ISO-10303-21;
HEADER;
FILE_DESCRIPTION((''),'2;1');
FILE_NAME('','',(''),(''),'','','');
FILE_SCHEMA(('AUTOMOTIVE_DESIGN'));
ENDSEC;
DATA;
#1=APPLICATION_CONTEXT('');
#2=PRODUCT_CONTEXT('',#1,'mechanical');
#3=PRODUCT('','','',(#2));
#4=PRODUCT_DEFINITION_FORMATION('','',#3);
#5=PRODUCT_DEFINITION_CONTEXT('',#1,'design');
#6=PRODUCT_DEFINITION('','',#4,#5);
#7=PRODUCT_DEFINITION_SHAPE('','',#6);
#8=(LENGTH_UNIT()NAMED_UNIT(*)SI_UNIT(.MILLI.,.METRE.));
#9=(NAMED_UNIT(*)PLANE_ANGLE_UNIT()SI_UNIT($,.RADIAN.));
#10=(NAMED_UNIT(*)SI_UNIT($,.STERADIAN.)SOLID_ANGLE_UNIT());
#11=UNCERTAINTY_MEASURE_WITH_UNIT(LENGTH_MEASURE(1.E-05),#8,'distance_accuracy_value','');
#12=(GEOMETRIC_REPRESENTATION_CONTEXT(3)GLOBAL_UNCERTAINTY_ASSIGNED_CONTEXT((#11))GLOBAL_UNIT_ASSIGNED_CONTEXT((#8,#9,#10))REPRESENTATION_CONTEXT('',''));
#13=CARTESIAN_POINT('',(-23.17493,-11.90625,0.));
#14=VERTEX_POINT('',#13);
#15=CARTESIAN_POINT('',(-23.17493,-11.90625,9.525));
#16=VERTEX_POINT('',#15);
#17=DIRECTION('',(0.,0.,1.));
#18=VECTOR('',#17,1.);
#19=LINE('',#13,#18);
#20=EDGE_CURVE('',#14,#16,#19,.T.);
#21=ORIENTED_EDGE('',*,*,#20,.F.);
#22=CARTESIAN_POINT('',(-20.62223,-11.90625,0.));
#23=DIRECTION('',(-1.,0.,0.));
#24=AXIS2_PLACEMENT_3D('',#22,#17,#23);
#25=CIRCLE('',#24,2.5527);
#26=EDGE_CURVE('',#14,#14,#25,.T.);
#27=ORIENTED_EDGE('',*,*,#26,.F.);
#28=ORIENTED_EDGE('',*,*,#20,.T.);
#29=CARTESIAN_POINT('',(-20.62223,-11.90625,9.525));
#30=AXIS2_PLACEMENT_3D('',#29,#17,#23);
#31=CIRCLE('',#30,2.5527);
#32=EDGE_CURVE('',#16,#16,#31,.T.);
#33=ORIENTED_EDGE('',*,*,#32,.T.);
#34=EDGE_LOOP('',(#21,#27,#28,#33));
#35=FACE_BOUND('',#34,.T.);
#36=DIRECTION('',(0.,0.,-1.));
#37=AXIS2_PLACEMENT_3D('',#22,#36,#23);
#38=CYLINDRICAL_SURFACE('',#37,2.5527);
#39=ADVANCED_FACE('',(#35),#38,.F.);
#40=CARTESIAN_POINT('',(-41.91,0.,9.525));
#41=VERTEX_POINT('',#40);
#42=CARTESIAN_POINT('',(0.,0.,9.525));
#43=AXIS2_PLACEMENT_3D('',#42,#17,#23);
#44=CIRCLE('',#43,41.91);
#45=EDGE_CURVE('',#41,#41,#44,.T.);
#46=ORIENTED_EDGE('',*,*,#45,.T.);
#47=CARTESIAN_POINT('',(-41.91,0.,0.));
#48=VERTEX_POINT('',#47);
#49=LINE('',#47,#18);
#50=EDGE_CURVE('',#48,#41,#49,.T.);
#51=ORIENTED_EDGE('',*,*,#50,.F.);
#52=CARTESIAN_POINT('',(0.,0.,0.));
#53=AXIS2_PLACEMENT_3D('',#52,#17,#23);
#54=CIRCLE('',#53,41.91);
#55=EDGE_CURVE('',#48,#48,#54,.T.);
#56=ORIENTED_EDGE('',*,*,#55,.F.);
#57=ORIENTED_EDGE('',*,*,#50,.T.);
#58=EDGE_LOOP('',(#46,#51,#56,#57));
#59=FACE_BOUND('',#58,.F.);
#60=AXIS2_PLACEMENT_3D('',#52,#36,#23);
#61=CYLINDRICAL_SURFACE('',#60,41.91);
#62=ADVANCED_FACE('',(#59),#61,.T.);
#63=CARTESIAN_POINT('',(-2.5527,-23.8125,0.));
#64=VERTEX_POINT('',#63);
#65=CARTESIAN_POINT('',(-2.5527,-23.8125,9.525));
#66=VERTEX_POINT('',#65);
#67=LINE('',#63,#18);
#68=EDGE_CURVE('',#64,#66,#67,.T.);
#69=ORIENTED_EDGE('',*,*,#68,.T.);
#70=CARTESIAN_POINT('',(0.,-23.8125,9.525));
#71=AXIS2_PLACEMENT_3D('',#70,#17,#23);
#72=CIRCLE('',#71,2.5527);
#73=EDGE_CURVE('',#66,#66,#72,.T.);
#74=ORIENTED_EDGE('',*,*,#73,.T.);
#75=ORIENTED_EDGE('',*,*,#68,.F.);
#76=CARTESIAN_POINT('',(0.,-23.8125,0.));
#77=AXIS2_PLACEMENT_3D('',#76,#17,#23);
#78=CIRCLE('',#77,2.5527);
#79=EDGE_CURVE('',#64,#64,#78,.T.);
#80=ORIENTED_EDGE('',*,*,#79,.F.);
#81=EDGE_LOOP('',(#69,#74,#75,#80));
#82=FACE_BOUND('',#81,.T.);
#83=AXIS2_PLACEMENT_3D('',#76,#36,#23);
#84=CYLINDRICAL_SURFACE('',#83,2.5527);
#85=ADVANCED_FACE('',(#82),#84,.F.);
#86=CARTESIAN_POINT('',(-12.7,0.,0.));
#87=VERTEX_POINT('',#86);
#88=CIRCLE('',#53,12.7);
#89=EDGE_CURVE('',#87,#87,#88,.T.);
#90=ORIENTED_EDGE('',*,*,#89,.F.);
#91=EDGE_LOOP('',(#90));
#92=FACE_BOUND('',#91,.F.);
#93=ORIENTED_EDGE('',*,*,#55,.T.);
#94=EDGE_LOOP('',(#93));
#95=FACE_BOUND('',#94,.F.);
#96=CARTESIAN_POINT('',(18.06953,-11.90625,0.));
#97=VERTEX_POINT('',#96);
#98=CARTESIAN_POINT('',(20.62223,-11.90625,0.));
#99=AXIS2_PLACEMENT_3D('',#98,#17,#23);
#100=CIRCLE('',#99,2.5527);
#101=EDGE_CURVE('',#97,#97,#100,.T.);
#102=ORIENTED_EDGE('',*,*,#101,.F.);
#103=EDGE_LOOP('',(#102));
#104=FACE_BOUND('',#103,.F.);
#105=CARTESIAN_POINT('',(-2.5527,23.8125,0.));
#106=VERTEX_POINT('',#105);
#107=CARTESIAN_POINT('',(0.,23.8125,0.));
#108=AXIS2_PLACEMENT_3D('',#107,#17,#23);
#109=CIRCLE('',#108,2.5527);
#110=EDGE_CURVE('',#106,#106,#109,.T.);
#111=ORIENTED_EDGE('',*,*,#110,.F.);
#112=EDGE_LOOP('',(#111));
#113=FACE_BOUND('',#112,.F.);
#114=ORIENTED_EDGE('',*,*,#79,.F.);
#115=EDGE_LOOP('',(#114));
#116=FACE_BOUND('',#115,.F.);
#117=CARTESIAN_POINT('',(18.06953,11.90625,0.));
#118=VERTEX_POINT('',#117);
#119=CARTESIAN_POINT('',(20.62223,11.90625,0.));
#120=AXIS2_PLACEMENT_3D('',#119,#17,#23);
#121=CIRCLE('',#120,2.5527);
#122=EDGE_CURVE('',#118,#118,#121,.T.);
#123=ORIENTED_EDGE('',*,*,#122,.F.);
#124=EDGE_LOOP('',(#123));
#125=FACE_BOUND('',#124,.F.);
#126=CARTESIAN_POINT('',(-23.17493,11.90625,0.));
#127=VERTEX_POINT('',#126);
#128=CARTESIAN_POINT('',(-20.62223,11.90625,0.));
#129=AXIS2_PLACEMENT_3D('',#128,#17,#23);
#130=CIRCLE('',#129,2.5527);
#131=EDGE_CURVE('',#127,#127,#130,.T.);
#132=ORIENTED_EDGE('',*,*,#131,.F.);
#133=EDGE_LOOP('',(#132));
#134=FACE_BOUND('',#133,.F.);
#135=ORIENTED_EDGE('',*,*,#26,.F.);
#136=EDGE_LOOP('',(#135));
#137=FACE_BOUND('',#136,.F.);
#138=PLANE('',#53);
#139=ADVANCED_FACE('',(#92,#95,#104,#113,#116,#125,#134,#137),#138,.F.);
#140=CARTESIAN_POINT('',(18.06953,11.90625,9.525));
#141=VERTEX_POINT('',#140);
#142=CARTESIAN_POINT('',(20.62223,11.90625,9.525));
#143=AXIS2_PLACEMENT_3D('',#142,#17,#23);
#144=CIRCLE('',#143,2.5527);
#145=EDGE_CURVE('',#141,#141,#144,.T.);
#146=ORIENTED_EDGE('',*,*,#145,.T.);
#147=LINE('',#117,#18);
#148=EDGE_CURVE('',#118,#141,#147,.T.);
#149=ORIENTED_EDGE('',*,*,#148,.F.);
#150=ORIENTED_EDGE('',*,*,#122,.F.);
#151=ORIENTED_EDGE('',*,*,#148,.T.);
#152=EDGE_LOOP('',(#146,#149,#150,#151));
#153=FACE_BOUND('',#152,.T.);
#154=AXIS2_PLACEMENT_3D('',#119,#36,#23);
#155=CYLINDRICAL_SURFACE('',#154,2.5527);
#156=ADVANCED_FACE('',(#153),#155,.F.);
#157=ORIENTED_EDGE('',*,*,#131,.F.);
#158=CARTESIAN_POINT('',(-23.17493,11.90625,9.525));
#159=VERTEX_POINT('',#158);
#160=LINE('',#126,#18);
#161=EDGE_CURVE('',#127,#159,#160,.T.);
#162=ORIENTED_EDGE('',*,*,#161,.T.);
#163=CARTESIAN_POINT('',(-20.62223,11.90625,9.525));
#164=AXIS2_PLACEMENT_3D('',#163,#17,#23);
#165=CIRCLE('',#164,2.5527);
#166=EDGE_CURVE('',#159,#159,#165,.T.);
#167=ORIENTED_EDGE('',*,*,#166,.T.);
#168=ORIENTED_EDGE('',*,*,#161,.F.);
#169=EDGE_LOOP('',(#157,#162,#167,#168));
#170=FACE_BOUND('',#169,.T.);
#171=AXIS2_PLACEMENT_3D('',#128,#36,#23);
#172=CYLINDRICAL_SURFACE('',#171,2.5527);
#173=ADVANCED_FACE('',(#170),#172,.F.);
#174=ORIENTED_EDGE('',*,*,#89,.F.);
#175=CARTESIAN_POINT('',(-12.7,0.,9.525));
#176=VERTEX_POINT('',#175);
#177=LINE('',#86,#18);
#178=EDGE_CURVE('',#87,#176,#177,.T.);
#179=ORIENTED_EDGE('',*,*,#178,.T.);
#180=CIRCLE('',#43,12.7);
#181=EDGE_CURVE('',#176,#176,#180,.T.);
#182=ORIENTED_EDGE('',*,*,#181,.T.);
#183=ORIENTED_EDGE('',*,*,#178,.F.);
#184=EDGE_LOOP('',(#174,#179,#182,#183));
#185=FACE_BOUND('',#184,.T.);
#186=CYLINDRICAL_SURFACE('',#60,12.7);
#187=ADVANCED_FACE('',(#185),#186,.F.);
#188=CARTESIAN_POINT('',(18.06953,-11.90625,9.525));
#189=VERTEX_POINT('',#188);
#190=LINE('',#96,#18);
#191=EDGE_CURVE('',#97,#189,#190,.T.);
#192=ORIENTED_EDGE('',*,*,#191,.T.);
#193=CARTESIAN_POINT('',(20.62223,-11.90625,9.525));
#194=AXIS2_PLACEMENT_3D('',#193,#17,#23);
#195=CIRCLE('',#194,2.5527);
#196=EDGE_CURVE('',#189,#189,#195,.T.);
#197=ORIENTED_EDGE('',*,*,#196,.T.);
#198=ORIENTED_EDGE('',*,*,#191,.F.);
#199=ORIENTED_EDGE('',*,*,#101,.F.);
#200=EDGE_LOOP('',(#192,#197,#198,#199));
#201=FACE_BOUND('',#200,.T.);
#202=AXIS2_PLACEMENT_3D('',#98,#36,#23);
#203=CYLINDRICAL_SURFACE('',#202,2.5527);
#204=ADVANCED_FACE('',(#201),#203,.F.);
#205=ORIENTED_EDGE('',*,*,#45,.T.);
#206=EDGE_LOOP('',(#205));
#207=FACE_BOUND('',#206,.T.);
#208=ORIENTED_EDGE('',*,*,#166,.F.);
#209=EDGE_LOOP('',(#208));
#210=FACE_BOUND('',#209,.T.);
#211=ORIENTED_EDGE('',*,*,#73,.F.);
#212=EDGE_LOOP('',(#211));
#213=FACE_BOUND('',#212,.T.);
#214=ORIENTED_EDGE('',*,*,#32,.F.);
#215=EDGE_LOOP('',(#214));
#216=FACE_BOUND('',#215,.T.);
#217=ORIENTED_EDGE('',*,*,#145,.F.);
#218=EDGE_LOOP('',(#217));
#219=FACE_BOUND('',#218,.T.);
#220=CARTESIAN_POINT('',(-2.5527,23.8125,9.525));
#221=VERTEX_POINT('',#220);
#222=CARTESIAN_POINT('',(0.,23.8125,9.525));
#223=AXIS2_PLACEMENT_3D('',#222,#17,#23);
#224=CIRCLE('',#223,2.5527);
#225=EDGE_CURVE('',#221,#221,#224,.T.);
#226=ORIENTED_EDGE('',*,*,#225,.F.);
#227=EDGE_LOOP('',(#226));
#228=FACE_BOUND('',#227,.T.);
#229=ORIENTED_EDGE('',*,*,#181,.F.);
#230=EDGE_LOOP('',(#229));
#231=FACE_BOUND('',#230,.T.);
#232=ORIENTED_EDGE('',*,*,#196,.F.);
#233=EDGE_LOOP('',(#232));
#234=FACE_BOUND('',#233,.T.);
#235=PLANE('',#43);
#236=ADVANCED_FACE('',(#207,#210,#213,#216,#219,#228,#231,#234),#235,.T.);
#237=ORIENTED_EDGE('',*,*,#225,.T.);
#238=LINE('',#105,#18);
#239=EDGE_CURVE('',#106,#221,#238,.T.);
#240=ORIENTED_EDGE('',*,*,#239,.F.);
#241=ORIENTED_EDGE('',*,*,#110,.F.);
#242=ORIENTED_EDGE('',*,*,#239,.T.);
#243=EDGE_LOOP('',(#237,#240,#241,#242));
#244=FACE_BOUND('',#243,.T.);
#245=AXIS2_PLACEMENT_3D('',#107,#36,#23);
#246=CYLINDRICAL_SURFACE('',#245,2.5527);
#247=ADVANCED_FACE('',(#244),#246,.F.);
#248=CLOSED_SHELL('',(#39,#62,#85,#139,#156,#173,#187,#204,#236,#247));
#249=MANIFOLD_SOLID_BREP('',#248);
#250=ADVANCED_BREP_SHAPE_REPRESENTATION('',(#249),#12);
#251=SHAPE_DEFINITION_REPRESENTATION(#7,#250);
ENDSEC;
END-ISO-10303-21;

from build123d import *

# Parameters (mm, degrees)
SKETCH1_R           = 41.91
SKETCH1_R_2         = 2.5527
SKETCH1_R_3         = 12.7
BOSS_EXTRUDE1_DEPTH = 9.525


with BuildPart() as part:
    # Sketch1 → Boss-Extrude1 (new body)
    with BuildSketch(Plane.XY):
        with Locations(Location((0, 0, 0), (0, 0, 180))):
            Circle(SKETCH1_R)
        with Locations(Location((0, 23.8125, 0), (0, 0, 180))):
            Circle(SKETCH1_R_2, mode=Mode.SUBTRACT)
        with Locations(Location((20.622229928, 11.90625, 0), (0, 0, 180))):
            Circle(SKETCH1_R_2, mode=Mode.SUBTRACT)
        with Locations(Location((20.622229928, -11.90625, 0), (0, 0, 180))):
            Circle(SKETCH1_R_2, mode=Mode.SUBTRACT)
        with Locations(Location((0, -23.8125, 0), (0, 0, 180))):
            Circle(SKETCH1_R_2, mode=Mode.SUBTRACT)
        with Locations(Location((-20.622229928, -11.90625, 0), (0, 0, 180))):
            Circle(SKETCH1_R_2, mode=Mode.SUBTRACT)
        with Locations(Location((-20.622229928, 11.90625, 0), (0, 0, 180))):
            Circle(SKETCH1_R_2, mode=Mode.SUBTRACT)
        with Locations(Location((0, 0, 0), (0, 0, 180))):
            Circle(SKETCH1_R_3, mode=Mode.SUBTRACT)
    extrude(amount=BOSS_EXTRUDE1_DEPTH)


solid = part.part
